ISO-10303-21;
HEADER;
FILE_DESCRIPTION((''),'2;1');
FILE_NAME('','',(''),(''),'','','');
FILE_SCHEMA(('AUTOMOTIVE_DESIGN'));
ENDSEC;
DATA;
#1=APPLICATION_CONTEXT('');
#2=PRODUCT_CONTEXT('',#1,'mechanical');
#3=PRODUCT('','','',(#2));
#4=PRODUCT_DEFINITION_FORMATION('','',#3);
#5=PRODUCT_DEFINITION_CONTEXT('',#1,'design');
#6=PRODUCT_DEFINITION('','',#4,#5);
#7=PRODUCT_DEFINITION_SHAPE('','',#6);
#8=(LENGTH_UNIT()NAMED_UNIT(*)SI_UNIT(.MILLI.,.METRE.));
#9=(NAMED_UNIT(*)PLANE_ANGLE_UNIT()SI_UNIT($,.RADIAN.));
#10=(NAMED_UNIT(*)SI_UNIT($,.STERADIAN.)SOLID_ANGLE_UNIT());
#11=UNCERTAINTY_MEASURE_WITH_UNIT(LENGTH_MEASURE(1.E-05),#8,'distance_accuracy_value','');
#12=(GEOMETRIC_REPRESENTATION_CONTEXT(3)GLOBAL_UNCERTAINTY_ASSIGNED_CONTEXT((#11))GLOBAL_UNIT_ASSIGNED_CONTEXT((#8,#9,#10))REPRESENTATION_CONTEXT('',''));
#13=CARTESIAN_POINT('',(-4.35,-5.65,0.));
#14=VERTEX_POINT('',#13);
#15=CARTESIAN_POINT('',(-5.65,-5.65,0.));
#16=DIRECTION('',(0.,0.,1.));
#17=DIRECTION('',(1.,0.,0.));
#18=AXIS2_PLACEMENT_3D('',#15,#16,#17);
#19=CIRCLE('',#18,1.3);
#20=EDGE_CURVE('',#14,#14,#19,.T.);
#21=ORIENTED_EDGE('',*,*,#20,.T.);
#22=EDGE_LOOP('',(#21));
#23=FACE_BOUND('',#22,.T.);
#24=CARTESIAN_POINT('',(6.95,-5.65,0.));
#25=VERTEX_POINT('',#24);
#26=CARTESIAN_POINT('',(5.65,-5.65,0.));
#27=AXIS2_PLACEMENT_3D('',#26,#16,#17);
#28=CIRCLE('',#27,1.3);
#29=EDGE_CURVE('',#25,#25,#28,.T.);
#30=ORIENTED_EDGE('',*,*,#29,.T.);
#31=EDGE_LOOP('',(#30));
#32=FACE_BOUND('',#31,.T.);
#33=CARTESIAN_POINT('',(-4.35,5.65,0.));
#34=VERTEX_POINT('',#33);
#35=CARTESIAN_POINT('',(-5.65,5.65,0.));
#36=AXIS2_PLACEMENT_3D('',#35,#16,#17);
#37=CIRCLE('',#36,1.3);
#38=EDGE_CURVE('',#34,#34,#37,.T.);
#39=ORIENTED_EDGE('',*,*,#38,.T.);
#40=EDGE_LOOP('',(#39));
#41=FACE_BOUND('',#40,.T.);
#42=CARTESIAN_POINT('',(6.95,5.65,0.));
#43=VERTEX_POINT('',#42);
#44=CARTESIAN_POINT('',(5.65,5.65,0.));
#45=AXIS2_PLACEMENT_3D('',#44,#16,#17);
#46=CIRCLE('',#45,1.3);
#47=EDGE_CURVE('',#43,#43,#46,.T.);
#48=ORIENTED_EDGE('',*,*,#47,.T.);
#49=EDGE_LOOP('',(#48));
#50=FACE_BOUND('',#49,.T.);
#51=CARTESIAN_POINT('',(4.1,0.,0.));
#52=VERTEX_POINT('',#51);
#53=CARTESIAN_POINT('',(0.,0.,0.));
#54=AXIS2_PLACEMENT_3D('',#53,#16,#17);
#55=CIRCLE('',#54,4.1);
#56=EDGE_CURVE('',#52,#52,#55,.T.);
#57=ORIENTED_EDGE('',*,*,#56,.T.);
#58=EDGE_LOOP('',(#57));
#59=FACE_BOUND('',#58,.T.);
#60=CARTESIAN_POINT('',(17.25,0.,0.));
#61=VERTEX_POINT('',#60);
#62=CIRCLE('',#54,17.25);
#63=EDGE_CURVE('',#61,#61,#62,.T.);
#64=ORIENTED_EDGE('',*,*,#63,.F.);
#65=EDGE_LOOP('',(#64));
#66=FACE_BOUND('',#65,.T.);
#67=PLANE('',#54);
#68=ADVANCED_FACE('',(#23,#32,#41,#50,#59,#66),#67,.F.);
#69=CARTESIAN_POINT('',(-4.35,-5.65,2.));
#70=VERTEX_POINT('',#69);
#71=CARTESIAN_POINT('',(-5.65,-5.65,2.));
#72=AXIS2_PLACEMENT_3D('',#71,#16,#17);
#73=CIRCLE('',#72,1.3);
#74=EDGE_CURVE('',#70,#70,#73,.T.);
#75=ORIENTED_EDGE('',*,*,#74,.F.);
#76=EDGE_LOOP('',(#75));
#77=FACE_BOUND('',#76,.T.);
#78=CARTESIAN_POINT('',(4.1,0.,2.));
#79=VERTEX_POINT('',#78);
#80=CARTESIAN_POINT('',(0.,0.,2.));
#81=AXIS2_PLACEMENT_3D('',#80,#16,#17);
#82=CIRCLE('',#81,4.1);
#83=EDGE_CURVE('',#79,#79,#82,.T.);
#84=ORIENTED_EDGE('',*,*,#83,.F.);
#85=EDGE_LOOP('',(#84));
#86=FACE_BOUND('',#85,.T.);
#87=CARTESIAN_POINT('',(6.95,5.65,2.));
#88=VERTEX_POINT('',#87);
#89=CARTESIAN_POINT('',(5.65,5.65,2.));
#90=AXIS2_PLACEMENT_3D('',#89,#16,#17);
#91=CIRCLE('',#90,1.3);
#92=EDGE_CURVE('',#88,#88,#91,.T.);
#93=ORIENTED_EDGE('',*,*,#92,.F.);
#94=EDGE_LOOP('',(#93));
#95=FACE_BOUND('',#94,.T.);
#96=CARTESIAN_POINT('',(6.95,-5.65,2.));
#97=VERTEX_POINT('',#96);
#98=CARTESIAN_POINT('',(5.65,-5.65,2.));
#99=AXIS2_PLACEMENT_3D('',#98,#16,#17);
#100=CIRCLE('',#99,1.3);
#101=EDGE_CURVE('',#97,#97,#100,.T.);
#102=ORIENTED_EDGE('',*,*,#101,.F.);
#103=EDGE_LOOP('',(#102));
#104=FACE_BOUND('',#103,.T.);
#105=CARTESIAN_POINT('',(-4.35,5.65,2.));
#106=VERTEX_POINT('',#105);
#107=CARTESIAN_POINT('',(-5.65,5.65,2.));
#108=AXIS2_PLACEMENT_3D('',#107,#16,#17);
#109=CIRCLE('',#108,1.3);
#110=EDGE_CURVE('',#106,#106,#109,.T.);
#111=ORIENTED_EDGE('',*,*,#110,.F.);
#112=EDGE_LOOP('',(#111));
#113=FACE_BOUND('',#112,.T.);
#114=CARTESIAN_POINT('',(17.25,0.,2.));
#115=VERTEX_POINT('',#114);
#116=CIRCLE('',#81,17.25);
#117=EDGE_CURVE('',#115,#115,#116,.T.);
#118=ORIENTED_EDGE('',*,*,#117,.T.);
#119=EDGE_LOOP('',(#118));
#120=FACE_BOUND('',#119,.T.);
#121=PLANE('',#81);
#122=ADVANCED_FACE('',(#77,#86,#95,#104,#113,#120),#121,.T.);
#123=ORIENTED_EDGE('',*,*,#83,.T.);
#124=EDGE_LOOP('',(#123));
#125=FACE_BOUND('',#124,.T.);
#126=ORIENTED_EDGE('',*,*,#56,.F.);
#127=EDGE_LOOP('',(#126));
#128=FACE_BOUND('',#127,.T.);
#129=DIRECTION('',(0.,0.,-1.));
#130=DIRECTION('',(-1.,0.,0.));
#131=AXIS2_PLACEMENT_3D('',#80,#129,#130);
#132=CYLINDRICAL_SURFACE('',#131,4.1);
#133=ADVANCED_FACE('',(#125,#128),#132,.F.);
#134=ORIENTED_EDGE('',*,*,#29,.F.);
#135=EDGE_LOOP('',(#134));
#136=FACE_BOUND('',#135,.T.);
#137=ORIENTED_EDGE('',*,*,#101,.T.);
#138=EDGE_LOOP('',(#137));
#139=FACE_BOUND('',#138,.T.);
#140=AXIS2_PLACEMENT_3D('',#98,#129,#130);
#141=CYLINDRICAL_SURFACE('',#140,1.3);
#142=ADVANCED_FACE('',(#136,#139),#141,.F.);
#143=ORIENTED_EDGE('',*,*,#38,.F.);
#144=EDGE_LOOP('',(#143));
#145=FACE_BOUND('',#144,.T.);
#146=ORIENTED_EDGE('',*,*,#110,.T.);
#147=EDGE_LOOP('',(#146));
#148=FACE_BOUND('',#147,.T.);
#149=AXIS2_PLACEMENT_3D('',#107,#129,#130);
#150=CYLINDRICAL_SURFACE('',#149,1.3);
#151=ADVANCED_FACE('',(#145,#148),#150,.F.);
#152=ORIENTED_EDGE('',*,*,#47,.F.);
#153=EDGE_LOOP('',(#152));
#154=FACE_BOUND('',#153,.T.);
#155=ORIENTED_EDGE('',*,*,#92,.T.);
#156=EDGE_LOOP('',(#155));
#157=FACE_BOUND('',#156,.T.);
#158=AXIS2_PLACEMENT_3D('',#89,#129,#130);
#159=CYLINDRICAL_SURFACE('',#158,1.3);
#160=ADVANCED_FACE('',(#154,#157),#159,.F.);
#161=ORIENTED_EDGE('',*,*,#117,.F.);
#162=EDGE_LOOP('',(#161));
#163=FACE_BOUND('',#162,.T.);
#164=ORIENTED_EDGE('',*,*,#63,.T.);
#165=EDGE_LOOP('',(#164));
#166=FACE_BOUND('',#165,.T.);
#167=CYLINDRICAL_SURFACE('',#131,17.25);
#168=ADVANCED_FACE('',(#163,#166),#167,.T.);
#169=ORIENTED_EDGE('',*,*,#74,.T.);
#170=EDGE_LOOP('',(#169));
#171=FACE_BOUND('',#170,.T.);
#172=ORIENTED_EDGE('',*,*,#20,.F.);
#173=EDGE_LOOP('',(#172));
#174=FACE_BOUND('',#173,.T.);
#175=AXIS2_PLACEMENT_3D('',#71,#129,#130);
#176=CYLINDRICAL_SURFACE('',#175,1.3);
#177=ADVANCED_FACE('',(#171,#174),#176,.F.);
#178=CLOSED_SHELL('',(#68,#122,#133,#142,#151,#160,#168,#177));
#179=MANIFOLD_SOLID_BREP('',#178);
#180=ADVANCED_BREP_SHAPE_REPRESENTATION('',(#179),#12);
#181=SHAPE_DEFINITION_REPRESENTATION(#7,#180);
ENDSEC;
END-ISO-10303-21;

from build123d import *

# Parameters (mm, degrees)
SKETCH_1_R      = 17.25
SKETCH_1_R_2    = 1.3
SKETCH_1_R_3    = 4.1
EXTRUDE_1_DEPTH = 2


with BuildPart() as part:
    # 草图1 → 凸台-拉伸1 (new body)
    with BuildSketch(Plane.XY):
        Circle(SKETCH_1_R)
        with Locations((5.65, 5.65)):
            Circle(SKETCH_1_R_2, mode=Mode.SUBTRACT)
        with Locations((5.65, -5.65)):
            Circle(SKETCH_1_R_2, mode=Mode.SUBTRACT)
        with Locations((-5.65, 5.65)):
            Circle(SKETCH_1_R_2, mode=Mode.SUBTRACT)
        with Locations((-5.65, -5.65)):
            Circle(SKETCH_1_R_2, mode=Mode.SUBTRACT)
        Circle(SKETCH_1_R_3, mode=Mode.SUBTRACT)
    extrude(amount=EXTRUDE_1_DEPTH)


solid = part.part
